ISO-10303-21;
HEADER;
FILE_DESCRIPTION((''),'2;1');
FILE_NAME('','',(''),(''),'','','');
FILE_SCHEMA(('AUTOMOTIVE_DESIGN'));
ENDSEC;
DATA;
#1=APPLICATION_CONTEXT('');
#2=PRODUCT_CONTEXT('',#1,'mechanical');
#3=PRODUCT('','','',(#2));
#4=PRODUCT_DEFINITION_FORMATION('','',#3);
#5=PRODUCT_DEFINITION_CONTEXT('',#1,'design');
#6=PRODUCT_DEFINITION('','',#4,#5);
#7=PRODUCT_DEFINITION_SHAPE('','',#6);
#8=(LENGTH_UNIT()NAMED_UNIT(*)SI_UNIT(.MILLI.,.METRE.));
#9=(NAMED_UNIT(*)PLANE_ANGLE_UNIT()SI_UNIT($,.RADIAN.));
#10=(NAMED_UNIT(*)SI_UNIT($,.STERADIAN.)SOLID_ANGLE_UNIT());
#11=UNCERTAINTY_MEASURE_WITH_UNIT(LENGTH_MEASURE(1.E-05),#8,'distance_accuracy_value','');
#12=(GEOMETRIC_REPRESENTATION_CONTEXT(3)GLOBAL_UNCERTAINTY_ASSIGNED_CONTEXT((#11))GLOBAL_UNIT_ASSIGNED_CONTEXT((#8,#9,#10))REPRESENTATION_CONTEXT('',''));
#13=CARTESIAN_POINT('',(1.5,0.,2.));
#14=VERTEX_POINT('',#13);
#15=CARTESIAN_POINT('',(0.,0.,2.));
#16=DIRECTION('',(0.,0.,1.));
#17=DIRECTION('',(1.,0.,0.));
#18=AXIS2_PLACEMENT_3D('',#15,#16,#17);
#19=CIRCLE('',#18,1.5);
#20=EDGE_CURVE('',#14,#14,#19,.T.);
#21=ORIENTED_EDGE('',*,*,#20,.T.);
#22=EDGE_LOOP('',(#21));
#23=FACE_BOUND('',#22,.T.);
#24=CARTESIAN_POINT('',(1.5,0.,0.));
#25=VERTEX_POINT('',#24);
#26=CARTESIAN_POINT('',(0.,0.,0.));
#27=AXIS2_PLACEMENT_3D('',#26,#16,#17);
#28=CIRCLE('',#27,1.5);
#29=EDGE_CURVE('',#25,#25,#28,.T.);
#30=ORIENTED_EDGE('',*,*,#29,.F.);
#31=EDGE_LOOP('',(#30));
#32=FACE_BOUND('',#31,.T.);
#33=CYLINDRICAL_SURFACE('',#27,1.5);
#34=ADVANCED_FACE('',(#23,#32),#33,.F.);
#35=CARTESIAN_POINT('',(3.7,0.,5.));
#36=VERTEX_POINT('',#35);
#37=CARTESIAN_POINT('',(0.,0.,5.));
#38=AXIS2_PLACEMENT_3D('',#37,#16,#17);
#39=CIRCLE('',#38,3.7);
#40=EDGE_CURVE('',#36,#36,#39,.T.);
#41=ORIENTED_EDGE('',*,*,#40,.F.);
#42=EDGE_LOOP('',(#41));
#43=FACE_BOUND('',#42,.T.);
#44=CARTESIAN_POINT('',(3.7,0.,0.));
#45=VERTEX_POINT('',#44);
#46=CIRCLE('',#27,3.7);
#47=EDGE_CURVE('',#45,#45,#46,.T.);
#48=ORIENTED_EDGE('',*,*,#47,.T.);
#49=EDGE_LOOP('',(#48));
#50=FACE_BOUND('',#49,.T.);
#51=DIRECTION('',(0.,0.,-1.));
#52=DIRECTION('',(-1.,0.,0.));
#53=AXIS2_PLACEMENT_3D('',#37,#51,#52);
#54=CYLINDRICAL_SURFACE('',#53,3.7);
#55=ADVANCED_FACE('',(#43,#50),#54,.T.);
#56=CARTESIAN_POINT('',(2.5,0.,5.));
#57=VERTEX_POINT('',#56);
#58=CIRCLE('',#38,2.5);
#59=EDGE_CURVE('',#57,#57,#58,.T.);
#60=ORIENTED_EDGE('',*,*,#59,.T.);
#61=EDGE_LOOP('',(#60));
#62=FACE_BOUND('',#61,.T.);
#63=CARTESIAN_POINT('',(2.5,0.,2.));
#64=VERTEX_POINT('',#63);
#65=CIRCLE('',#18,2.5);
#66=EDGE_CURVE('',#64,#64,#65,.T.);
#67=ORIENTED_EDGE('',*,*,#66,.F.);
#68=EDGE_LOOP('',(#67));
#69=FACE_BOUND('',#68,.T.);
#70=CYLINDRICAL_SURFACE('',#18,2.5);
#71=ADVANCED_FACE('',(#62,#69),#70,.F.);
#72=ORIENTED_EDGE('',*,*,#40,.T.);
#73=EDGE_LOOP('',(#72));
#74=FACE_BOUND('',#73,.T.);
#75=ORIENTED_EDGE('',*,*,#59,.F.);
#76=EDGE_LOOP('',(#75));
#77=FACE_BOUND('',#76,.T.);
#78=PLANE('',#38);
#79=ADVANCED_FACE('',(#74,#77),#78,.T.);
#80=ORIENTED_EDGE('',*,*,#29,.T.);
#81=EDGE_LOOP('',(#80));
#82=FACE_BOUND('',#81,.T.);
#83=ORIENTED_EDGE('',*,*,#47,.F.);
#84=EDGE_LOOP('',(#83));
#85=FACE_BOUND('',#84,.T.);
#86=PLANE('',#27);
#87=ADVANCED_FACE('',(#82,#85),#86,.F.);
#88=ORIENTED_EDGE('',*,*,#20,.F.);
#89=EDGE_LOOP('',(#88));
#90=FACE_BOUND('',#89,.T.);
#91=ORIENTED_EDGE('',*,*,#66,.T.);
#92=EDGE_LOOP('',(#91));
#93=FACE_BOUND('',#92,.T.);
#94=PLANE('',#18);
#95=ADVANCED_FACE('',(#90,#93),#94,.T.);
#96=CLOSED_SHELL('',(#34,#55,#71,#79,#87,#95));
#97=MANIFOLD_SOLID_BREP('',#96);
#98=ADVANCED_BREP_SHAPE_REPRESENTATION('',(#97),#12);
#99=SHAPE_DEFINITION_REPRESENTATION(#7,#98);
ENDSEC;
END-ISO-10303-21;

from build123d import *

# Parameters (mm, degrees)
SKETCH_1_R          = 3.7
EXTRUDE_1_DEPTH     = 5
SKETCH_2_R          = 2.5
CUT_EXTRUDE_1_DEPTH = 3
SKETCH_3_R          = 1.5
CUT_EXTRUDE_2_DEPTH = 2


with BuildPart() as part:
    # 草图1 → 凸台-拉伸1 (new body)
    with BuildSketch(Plane.XY):
        Circle(SKETCH_1_R)
    extrude(amount=EXTRUDE_1_DEPTH)

    # 草图2 → 切除-拉伸1 (cut)
    with BuildSketch(Plane.XY.offset(5)):
        Circle(SKETCH_2_R)
    extrude(amount=-CUT_EXTRUDE_1_DEPTH, mode=Mode.SUBTRACT)

    # 草图3 → 切除-拉伸2 (cut)
    with BuildSketch(Plane.XY.offset(2)):
        Circle(SKETCH_3_R)
    extrude(amount=-CUT_EXTRUDE_2_DEPTH, mode=Mode.SUBTRACT)


solid = part.part
